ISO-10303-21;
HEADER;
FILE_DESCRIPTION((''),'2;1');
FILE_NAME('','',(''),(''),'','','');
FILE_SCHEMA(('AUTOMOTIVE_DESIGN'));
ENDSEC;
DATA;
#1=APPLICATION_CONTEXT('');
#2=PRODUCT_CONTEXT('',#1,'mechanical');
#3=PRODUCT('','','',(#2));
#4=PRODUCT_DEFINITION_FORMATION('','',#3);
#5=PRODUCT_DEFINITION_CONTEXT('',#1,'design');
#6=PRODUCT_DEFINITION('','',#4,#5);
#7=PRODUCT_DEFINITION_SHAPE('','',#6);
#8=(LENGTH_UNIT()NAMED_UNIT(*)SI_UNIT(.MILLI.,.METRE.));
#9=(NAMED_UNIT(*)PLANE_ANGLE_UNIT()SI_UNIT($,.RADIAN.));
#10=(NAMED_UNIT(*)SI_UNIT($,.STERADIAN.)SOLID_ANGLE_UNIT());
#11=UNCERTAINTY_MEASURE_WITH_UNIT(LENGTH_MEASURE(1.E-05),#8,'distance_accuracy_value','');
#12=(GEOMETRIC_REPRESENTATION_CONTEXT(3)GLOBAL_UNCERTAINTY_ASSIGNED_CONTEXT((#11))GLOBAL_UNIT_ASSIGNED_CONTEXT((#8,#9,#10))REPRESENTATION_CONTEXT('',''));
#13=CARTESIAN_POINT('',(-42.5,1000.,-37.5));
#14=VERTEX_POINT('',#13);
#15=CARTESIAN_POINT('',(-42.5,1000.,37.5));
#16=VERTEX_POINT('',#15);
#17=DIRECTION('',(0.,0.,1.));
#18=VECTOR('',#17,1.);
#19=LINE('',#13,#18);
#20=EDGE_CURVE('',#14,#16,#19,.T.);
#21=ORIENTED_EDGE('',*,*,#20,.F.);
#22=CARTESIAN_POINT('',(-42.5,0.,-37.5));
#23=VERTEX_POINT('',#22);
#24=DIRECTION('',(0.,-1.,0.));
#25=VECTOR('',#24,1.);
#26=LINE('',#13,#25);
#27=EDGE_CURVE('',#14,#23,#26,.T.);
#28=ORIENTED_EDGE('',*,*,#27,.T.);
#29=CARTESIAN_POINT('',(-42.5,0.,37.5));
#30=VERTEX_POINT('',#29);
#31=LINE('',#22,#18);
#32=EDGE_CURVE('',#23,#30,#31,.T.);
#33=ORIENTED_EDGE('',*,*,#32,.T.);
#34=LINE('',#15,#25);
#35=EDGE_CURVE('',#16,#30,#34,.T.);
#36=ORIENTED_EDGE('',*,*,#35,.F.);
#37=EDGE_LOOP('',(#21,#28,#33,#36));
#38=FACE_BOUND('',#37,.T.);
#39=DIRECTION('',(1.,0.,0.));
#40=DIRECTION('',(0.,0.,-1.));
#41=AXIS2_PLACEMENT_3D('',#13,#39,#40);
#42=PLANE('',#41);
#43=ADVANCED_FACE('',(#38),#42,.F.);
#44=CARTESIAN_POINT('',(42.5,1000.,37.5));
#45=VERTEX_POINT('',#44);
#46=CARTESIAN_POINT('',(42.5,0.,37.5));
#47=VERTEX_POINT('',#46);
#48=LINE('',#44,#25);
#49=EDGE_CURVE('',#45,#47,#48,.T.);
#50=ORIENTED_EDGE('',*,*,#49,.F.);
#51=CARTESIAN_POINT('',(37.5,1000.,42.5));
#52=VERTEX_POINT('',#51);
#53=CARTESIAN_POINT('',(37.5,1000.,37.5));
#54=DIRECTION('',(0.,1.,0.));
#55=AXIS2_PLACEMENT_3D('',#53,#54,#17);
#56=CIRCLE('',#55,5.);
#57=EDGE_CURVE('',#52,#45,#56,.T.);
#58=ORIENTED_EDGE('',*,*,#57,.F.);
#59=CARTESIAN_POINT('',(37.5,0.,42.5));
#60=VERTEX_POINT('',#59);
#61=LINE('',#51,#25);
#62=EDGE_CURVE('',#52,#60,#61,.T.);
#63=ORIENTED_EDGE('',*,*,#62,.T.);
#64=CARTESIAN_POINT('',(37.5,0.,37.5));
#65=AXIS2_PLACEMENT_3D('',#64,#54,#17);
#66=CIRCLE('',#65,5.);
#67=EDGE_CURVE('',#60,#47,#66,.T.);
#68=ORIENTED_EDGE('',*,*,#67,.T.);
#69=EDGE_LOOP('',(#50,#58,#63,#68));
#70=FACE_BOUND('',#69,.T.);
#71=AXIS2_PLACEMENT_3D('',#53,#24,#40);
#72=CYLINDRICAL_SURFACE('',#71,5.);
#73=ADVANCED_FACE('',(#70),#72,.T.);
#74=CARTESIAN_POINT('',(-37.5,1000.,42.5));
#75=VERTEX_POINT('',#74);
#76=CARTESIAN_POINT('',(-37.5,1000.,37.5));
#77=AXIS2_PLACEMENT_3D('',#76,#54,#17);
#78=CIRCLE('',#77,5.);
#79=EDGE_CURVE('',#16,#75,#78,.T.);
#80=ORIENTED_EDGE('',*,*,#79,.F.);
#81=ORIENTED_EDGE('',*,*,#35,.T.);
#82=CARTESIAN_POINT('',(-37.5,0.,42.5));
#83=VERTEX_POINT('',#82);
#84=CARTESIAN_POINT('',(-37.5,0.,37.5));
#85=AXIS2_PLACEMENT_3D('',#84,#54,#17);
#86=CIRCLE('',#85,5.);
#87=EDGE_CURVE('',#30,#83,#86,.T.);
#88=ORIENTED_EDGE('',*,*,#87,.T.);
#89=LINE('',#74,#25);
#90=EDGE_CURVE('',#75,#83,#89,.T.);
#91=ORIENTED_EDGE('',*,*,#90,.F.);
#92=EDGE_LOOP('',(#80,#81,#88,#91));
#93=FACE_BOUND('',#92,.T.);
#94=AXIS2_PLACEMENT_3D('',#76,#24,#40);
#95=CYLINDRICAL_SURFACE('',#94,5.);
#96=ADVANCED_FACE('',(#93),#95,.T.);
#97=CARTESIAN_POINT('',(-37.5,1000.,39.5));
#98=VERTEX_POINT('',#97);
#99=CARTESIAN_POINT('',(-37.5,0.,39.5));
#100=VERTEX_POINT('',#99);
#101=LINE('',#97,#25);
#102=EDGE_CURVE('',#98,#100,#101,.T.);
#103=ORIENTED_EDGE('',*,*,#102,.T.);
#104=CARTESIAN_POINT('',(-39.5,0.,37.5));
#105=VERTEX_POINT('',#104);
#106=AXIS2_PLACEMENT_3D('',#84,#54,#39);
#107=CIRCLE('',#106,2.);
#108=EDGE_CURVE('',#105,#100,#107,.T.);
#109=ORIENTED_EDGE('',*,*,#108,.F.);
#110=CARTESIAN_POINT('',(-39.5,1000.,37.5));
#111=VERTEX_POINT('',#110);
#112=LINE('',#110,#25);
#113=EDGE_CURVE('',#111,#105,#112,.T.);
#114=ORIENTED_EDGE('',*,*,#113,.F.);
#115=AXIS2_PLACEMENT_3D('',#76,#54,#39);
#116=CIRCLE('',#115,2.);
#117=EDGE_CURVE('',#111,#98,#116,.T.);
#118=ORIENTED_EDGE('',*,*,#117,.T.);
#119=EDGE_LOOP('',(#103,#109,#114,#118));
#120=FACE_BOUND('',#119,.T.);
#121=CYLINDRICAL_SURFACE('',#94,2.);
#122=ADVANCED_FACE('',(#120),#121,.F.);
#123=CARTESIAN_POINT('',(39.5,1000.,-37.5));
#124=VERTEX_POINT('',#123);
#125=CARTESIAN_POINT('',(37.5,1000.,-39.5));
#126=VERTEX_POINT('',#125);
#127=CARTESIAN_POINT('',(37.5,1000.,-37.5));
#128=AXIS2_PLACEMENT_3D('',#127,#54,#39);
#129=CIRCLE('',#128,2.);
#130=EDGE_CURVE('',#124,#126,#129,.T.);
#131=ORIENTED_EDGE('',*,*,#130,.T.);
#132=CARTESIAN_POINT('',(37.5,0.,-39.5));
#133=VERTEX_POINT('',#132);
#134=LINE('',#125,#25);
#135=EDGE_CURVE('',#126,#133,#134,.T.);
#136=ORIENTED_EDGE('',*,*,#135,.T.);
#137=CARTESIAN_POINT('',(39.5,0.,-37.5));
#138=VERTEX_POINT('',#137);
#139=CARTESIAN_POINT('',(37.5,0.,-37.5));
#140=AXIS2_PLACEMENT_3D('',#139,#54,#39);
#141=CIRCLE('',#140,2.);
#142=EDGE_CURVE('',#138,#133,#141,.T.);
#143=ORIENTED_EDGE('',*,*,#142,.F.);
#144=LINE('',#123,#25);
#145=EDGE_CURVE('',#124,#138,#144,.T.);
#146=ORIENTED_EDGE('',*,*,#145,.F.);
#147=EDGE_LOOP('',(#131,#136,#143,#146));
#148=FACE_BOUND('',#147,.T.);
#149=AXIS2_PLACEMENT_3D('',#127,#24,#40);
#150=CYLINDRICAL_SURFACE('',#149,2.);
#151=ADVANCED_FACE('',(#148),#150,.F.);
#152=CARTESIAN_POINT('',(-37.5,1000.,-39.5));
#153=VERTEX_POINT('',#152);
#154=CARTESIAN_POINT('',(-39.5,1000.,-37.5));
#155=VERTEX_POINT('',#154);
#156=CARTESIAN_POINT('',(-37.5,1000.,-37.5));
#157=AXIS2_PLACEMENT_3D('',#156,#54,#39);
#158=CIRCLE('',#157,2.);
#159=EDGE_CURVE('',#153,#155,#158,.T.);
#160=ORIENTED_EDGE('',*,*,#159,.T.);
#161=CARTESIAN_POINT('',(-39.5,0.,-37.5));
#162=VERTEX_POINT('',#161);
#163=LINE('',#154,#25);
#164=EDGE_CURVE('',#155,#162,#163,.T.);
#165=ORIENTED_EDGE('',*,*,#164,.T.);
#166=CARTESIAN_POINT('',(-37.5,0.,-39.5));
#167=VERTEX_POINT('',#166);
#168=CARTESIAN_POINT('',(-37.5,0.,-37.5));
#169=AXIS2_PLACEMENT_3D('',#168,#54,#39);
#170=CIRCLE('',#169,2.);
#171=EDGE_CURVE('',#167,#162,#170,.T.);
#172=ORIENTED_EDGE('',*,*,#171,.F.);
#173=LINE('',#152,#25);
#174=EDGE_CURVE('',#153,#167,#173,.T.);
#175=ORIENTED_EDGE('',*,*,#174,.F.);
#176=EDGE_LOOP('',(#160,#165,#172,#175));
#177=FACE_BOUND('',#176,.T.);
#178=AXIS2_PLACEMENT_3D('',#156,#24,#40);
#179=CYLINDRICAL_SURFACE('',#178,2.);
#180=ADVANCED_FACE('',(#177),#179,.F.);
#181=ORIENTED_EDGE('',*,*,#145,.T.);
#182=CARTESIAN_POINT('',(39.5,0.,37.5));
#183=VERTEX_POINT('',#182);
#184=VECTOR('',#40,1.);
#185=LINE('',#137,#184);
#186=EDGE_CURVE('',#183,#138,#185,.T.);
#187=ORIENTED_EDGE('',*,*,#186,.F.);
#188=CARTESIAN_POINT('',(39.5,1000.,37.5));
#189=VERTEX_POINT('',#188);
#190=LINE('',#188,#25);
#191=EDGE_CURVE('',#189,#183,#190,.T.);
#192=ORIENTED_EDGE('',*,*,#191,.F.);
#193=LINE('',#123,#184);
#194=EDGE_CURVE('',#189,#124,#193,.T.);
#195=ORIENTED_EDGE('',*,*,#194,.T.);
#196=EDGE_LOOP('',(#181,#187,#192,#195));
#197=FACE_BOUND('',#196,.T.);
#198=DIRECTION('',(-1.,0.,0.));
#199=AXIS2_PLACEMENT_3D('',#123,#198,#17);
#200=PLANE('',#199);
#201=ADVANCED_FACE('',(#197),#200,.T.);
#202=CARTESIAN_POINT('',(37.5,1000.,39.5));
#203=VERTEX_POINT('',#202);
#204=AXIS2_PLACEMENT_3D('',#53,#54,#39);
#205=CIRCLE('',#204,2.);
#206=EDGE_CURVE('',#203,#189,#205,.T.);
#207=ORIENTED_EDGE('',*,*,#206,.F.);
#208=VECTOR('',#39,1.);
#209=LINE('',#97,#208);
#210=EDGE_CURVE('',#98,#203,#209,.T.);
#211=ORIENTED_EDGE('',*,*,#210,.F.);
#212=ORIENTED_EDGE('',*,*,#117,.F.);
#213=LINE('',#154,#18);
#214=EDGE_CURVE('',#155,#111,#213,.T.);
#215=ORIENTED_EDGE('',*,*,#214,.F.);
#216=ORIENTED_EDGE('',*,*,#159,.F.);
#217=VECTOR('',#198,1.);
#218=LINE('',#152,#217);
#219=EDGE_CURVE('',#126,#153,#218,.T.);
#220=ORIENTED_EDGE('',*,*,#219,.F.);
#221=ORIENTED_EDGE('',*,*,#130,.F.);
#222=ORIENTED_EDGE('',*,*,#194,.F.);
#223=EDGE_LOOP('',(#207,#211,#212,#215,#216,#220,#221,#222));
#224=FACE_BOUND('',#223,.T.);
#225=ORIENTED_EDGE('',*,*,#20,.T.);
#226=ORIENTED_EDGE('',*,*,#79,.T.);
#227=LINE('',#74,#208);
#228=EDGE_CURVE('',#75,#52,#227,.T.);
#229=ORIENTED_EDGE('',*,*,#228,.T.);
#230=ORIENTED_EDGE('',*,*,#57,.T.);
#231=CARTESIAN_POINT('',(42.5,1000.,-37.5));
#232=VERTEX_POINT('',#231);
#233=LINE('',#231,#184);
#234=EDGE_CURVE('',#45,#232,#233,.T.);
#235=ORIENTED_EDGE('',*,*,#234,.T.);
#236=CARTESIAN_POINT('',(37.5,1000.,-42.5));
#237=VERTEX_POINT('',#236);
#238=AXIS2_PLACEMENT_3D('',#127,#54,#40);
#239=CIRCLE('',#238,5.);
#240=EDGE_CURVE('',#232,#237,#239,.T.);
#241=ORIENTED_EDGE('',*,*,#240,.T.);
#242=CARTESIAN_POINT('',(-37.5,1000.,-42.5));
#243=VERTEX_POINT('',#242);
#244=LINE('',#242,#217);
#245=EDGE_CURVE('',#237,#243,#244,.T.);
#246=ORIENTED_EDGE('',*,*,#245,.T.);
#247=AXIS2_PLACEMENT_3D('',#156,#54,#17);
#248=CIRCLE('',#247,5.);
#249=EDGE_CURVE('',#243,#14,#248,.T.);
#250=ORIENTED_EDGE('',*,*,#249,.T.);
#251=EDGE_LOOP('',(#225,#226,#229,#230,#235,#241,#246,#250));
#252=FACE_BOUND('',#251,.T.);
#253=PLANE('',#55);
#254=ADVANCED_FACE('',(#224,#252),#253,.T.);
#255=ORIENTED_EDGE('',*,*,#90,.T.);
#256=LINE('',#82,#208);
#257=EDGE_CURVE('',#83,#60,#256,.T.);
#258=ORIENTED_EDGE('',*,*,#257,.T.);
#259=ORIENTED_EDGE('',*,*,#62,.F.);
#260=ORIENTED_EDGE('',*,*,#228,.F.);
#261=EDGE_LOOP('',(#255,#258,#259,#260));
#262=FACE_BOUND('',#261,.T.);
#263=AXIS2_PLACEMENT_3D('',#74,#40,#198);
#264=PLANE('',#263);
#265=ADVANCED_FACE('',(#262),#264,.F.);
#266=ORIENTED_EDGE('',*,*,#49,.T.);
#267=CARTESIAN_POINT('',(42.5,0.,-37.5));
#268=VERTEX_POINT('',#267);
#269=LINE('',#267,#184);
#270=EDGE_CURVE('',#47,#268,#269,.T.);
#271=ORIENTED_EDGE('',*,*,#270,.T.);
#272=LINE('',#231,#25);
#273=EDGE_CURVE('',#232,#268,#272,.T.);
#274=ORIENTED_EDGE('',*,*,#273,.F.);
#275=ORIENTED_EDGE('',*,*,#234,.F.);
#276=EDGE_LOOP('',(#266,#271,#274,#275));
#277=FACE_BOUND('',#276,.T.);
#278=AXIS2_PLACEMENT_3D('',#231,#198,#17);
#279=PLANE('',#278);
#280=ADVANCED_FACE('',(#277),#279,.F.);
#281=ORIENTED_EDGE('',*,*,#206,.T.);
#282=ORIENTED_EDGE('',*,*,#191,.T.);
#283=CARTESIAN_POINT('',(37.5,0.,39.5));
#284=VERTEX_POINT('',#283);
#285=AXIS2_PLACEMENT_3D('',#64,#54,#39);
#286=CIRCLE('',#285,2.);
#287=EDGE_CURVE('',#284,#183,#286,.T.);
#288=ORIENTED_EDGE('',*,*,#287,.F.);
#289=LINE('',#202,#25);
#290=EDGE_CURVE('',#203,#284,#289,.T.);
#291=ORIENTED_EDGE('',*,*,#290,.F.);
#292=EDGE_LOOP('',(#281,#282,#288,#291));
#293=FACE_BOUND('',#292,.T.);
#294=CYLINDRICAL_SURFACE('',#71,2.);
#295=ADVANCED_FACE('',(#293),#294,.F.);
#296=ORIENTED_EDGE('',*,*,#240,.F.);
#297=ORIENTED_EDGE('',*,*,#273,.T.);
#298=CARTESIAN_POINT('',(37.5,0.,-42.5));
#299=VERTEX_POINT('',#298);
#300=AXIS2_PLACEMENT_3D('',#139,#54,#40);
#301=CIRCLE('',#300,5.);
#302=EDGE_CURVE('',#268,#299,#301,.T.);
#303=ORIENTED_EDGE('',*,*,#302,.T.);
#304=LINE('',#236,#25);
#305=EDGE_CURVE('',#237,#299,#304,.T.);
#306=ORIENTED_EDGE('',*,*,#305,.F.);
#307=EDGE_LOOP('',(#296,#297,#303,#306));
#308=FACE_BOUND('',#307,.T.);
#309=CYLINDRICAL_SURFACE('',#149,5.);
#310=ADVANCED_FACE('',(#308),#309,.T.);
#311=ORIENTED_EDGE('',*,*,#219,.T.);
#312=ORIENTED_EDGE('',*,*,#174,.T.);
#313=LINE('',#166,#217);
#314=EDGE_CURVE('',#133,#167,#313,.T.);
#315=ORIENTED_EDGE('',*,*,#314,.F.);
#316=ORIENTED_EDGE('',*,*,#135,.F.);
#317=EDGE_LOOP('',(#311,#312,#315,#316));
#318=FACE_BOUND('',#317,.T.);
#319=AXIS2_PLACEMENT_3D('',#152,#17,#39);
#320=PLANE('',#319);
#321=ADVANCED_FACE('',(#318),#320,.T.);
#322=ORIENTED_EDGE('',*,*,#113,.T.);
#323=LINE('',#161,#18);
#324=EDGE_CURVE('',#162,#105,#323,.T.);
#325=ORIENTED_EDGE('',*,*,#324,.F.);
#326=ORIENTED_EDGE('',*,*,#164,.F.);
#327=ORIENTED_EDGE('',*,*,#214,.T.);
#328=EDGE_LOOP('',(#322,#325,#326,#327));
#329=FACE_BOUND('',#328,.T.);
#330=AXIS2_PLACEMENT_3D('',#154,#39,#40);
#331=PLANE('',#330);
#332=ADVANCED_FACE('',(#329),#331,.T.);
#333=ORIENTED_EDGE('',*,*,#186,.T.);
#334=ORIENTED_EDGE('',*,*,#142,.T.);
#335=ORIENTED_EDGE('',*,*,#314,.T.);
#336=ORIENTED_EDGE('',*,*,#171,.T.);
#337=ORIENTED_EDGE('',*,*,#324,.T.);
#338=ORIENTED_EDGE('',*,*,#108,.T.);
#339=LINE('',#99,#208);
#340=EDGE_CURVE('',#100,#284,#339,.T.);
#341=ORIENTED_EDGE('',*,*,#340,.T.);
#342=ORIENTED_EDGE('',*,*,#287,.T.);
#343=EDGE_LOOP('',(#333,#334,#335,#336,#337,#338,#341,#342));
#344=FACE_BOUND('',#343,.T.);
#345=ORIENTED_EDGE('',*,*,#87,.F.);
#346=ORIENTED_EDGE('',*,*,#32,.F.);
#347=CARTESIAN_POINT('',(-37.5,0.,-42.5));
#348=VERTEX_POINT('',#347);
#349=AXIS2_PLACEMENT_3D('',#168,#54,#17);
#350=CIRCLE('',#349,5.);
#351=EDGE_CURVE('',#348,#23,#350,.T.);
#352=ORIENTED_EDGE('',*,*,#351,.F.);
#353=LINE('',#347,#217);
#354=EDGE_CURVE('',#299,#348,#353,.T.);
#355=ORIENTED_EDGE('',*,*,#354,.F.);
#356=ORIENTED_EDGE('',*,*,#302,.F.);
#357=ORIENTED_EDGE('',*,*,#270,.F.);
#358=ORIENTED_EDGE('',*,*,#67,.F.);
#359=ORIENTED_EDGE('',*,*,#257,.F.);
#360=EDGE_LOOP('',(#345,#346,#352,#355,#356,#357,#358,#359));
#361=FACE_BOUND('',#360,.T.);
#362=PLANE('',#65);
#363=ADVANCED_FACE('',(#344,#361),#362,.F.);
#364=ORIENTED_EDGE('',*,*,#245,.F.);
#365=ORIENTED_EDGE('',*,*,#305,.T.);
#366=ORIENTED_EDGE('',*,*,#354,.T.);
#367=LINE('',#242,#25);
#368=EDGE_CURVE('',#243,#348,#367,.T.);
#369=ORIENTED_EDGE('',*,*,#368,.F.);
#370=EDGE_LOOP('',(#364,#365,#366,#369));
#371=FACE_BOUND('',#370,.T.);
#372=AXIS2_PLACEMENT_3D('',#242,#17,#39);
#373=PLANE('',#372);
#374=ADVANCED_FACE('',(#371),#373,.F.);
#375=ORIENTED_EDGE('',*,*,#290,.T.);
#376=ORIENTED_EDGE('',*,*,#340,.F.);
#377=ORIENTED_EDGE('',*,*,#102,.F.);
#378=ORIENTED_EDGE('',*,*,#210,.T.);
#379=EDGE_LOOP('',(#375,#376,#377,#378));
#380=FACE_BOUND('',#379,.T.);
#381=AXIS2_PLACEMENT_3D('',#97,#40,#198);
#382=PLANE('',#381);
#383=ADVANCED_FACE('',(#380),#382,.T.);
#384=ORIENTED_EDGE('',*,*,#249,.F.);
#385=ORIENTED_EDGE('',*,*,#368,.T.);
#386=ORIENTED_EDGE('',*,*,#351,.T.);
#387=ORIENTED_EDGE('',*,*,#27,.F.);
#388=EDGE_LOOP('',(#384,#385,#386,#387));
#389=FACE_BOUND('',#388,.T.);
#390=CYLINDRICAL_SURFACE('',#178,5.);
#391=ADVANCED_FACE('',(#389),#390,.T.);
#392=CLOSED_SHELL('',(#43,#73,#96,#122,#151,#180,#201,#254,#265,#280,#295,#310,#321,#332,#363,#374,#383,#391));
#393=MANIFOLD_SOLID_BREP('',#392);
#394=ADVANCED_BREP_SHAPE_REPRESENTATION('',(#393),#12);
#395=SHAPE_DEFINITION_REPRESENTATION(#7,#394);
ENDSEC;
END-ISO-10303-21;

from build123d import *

# Parameters (mm, degrees)
EXTRUDE_1_DEPTH = 1000


with BuildPart() as part:
    # Эскиз1 → Вытянуть-Тонкостенный1 (new body)
    with BuildSketch(Plane(origin=(0, 0, 0), x_dir=(1, 0, 0), z_dir=(0, 1, 0))):
        with BuildLine():
            Line((-42.5, -37.5), (-42.5, 37.5))
            ThreePointArc((-42.5, 37.5), (-41.035533906, 41.035533906), (-37.5, 42.5))
            Line((-37.5, 42.5), (37.5, 42.5))
            ThreePointArc((37.5, 42.5), (41.035533906, 41.035533906), (42.5, 37.5))
            Line((42.5, 37.5), (42.5, -37.5))
            ThreePointArc((42.5, -37.5), (41.035533906, -41.035533906), (37.5, -42.5))
            Line((37.5, -42.5), (-37.5, -42.5))
            ThreePointArc((-37.5, -42.5), (-41.035533906, -41.035533906), (-42.5, -37.5))
        make_face()
        with BuildLine():
            Line((-39.5, -37.5), (-39.5, 37.5))
            ThreePointArc((-39.5, 37.5), (-38.914213562, 38.914213562), (-37.5, 39.5))
            Line((-37.5, 39.5), (37.5, 39.5))
            ThreePointArc((37.5, 39.5), (38.914213562, 38.914213562), (39.5, 37.5))
            Line((39.5, 37.5), (39.5, -37.5))
            ThreePointArc((39.5, -37.5), (38.914213562, -38.914213562), (37.5, -39.5))
            Line((37.5, -39.5), (-37.5, -39.5))
            ThreePointArc((-37.5, -39.5), (-38.914213562, -38.914213562), (-39.5, -37.5))
        make_face(mode=Mode.SUBTRACT)
    extrude(amount=EXTRUDE_1_DEPTH)


solid = part.part
